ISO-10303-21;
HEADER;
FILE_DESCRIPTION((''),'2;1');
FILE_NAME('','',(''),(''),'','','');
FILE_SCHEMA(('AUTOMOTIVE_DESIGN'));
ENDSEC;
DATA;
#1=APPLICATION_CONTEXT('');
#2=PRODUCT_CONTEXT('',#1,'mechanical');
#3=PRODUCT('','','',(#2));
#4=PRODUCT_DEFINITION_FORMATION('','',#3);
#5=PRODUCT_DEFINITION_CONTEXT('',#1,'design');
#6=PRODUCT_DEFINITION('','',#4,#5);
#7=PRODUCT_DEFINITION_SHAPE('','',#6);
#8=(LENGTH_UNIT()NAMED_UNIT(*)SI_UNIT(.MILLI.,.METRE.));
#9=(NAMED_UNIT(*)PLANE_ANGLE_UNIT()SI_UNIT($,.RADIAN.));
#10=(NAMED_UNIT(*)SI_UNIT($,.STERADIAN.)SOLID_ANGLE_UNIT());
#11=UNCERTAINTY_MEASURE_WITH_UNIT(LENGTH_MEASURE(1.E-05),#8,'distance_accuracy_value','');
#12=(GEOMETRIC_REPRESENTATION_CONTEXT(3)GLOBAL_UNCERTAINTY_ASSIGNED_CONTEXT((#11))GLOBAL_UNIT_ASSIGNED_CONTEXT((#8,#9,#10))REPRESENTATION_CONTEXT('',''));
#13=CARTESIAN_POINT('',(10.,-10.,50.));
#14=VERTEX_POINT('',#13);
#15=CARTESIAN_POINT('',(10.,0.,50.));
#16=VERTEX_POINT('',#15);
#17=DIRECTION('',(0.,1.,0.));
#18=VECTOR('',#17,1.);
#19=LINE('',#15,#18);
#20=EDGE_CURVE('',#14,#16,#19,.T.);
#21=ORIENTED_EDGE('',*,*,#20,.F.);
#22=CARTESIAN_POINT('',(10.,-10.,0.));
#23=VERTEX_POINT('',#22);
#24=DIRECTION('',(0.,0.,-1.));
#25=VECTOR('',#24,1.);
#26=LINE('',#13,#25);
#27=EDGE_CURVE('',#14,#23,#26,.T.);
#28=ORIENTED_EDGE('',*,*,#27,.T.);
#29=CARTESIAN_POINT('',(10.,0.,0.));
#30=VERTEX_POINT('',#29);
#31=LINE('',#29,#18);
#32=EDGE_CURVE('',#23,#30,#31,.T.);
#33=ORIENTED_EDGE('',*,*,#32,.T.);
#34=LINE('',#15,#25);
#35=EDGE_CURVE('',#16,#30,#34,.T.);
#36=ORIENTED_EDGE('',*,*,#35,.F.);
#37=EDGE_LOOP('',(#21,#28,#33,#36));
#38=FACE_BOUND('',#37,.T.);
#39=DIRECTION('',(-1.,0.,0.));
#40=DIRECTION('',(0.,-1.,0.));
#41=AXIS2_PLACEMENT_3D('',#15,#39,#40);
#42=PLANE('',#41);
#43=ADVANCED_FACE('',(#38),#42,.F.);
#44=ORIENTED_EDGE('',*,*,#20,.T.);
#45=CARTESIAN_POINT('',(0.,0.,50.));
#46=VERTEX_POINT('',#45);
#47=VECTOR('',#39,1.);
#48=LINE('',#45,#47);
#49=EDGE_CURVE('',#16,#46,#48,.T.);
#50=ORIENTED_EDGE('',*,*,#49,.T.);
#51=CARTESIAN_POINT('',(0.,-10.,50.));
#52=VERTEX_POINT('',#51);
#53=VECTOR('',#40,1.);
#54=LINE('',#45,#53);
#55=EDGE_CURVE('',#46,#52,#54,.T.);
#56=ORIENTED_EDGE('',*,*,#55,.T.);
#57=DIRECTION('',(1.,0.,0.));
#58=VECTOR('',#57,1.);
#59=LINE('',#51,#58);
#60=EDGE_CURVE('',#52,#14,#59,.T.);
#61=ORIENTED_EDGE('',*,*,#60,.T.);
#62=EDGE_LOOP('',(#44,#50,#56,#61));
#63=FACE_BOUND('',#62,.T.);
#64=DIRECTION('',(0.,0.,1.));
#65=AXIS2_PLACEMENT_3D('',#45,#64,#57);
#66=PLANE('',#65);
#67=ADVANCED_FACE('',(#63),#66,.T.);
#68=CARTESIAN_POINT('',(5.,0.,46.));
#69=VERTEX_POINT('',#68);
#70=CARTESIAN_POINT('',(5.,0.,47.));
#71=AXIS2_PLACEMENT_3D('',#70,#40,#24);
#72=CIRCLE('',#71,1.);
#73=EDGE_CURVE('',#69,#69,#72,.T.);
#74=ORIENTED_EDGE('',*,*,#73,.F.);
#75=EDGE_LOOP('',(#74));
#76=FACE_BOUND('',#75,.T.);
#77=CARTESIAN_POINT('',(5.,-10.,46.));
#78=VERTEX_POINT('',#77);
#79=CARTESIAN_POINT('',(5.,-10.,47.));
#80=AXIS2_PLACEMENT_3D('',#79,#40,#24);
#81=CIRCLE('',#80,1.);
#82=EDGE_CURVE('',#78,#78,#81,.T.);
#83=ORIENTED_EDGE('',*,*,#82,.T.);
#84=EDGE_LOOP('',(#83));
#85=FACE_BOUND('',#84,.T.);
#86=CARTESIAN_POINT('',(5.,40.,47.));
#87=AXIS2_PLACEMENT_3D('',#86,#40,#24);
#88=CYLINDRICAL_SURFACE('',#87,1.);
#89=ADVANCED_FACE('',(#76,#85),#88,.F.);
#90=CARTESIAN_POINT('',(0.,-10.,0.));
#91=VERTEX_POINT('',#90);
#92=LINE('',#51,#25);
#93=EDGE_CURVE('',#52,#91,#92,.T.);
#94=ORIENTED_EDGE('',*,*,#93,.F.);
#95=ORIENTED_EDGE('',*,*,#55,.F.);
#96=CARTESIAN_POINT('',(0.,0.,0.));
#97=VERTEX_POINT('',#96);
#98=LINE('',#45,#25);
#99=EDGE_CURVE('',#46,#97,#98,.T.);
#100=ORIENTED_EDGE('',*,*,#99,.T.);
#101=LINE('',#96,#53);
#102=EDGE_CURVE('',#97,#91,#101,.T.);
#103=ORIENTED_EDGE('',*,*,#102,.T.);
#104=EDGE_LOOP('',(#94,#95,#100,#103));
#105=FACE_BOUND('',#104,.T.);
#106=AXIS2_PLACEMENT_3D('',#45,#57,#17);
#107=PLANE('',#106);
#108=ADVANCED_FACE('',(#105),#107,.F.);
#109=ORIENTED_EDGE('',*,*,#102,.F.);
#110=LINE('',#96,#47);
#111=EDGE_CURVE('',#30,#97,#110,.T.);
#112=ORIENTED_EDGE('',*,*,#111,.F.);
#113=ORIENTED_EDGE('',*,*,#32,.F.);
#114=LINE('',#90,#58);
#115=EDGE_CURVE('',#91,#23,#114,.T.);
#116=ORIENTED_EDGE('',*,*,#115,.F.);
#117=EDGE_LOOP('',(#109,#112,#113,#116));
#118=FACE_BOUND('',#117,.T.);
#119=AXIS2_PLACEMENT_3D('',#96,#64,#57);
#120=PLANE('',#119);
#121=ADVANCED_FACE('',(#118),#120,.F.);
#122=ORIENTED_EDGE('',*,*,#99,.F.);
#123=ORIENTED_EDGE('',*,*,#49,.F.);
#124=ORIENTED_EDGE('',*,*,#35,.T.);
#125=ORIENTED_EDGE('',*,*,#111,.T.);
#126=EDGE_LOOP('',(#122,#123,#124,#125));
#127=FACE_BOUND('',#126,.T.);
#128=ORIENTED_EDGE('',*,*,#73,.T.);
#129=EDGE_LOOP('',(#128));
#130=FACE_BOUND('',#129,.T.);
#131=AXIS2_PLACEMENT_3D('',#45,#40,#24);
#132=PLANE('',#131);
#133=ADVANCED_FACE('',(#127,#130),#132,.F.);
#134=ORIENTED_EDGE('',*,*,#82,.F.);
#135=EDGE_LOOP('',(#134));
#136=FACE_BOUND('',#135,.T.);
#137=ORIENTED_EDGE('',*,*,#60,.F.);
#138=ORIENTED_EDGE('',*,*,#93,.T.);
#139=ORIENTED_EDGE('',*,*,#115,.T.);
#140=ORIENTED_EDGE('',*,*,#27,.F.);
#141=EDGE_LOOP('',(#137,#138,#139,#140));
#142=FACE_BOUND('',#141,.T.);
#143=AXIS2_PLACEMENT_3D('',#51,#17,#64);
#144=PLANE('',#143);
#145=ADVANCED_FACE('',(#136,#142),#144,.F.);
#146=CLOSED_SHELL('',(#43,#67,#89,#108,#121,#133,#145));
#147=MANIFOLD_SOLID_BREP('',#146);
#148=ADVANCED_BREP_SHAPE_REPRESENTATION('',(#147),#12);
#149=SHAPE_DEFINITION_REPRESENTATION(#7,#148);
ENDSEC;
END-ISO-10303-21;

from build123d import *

# Parameters (mm, degrees)
SKETCH1_W           = 10
SKETCH1_H           = 10
BOSS_EXTRUDE1_DEPTH = 50
SKETCH2_R           = 1
CUT_EXTRUDE1_DEPTH  = 50


with BuildPart() as part:
    # Sketch1 → Boss-Extrude1 (new body)
    with BuildSketch(Plane.XY):
        with Locations((5, -5)):
            Rectangle(SKETCH1_W, SKETCH1_H)
    extrude(amount=BOSS_EXTRUDE1_DEPTH)

    # Sketch2 → Cut-Extrude1 (cut)
    with BuildSketch(Plane(origin=(0, -10, 0), x_dir=(-1, 0, 0), z_dir=(0, -1, 0))):
        with Locations(Location((-5, -47, 0), (0, 0, 90))):
            Circle(SKETCH2_R)
    extrude(amount=-CUT_EXTRUDE1_DEPTH, mode=Mode.SUBTRACT)


solid = part.part
